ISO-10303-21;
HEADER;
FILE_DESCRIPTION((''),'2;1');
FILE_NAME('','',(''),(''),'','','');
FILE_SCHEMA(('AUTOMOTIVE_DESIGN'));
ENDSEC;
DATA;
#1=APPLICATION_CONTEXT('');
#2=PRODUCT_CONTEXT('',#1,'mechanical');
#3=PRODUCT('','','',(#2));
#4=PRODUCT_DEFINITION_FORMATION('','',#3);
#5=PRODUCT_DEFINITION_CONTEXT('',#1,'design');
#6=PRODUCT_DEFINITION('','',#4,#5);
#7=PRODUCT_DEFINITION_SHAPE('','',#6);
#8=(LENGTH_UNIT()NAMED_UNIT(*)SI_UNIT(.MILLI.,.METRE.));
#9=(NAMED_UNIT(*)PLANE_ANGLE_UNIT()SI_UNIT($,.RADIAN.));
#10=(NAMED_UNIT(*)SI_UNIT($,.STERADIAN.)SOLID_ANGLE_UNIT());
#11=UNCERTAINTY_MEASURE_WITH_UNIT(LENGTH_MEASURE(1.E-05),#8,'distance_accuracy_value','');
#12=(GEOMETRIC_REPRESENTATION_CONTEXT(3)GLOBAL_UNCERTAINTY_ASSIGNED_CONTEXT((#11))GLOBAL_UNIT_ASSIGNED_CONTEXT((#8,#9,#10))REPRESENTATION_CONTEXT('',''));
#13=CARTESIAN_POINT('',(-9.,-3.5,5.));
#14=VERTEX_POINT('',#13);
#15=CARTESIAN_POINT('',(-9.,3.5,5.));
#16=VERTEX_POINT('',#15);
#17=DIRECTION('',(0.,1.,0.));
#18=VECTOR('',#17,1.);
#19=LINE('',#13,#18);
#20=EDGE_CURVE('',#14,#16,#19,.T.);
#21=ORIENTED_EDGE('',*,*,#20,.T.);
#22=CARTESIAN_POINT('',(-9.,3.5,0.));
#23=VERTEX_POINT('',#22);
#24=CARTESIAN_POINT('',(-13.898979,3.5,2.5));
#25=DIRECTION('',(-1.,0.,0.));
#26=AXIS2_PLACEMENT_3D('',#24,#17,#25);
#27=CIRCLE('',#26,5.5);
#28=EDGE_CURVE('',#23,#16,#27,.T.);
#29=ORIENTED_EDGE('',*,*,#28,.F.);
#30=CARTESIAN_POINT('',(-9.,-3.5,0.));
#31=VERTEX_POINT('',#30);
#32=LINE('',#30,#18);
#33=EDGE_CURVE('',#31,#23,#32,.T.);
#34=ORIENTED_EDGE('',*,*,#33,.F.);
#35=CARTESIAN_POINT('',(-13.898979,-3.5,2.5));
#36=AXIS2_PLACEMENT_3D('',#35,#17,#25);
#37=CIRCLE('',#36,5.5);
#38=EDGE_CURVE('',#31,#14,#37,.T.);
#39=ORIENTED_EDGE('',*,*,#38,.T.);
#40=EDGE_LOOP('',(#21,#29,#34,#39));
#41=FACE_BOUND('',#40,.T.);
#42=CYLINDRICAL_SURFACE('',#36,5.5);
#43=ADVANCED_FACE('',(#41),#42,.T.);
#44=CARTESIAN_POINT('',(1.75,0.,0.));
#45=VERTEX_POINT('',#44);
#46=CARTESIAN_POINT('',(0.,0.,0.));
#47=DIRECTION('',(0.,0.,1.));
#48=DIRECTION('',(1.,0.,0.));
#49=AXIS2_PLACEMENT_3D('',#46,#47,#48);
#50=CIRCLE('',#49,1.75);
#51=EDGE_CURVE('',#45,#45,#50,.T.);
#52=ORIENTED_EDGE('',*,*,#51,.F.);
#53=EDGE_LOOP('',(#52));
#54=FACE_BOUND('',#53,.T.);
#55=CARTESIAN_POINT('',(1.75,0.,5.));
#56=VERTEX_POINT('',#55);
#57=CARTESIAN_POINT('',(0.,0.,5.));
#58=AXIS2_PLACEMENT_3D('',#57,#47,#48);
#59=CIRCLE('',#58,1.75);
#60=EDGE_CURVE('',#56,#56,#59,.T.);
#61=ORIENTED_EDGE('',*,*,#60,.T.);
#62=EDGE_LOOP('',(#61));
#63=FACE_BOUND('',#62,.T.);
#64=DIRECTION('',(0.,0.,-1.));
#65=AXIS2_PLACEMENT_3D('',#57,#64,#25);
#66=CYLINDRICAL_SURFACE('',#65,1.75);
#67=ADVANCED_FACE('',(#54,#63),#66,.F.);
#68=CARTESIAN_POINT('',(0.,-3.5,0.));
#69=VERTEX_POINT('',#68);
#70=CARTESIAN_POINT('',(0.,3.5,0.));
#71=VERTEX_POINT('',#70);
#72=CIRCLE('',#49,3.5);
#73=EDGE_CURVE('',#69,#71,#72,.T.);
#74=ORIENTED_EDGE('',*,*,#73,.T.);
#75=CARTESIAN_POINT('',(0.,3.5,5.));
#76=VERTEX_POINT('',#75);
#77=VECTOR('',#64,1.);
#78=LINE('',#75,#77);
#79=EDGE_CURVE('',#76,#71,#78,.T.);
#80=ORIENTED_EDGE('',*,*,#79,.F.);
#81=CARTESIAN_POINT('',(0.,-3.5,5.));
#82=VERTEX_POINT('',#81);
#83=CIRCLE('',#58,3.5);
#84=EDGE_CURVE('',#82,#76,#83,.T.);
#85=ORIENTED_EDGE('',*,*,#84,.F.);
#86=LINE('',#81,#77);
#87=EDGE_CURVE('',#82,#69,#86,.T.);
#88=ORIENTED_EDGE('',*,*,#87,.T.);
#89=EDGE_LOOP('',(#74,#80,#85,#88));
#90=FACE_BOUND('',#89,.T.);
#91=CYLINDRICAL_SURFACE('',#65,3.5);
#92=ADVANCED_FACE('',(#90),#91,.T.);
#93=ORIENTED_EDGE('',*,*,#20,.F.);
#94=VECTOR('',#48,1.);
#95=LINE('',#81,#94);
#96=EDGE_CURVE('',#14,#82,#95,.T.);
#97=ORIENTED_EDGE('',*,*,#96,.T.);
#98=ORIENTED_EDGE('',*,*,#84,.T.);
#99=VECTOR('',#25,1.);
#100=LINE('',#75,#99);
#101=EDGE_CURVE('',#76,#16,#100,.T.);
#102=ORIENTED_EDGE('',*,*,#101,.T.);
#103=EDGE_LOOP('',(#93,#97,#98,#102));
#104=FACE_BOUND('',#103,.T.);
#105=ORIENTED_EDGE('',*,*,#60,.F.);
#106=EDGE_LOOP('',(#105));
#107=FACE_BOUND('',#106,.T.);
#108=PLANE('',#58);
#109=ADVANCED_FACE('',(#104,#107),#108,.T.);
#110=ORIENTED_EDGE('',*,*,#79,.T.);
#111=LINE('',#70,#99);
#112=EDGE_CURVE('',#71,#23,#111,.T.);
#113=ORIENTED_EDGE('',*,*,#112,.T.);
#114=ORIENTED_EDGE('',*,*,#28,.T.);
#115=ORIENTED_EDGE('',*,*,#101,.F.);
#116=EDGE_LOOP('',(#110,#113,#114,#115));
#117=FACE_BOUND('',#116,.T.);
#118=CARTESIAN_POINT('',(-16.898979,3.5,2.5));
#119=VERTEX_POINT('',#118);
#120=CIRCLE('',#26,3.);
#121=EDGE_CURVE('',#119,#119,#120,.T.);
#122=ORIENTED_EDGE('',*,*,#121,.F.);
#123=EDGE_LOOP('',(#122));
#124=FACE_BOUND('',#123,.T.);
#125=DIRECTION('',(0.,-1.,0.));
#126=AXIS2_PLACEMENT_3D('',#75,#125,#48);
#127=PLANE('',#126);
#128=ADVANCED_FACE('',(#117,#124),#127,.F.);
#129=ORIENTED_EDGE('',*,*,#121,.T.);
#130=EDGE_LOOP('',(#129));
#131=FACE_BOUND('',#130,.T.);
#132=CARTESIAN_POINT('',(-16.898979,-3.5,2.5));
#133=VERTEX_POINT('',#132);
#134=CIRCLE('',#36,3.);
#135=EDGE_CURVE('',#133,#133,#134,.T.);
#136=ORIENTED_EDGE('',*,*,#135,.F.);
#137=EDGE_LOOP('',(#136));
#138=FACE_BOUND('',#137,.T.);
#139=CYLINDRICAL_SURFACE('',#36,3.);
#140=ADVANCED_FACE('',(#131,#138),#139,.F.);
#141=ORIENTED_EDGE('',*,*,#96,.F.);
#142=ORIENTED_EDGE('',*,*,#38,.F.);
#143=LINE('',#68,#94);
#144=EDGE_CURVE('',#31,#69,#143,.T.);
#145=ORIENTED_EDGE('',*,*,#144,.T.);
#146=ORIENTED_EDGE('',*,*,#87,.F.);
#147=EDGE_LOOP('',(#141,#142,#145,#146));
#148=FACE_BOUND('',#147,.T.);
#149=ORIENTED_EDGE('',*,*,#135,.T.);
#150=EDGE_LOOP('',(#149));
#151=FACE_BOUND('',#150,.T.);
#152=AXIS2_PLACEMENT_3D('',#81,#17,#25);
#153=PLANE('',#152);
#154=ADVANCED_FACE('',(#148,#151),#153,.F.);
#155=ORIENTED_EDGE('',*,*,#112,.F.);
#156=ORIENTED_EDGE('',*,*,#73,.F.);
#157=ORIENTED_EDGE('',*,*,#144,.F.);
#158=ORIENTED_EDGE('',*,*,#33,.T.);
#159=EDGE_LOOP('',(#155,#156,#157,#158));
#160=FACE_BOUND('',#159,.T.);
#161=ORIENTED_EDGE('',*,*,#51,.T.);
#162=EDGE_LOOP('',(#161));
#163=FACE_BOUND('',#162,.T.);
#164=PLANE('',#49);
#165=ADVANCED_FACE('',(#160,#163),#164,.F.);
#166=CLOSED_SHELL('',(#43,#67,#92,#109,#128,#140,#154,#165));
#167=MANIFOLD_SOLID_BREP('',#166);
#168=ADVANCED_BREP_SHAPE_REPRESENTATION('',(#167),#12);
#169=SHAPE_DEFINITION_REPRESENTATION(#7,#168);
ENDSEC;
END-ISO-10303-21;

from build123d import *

# Parameters (mm, degrees)
ESBO_O1_R                = 1.75
RESSALTO_EXTRUS_O1_DEPTH = 5
ESBO_O2_R                = 3
RESSALTO_EXTRUS_O2_DEPTH = 7


with BuildPart() as part:
    # Esboço1 → Ressalto-extrusão1 (new body)
    with BuildSketch(Plane.XY):
        with BuildLine():
            Line((0, 3.5), (-6, 3.5))
            Line((-6, 3.5), (-6, -3.5))
            Line((-6, -3.5), (0, -3.5))
            ThreePointArc((0, -3.5), (3.5, 0), (0, 3.5))
        make_face()
        Circle(ESBO_O1_R, mode=Mode.SUBTRACT)
    extrude(amount=RESSALTO_EXTRUS_O1_DEPTH)

    # Esboço2 → Ressalto-extrusão2 (add)
    with BuildSketch(Plane(origin=(0, 3.5, 0), x_dir=(1, 0, 0), z_dir=(0, 1, 0))):
        with BuildLine():
            Line((-6, -5), (-6, 0))
            Line((-6, 0), (-9, 0))
            ThreePointArc((-9, 0), (-19.398979486, -2.5), (-9, -5))
            Line((-9, -5), (-6, -5))
        make_face()
        with Locations((-13.898979486, -2.5)):
            Circle(ESBO_O2_R, mode=Mode.SUBTRACT)
    extrude(amount=-RESSALTO_EXTRUS_O2_DEPTH)


solid = part.part
